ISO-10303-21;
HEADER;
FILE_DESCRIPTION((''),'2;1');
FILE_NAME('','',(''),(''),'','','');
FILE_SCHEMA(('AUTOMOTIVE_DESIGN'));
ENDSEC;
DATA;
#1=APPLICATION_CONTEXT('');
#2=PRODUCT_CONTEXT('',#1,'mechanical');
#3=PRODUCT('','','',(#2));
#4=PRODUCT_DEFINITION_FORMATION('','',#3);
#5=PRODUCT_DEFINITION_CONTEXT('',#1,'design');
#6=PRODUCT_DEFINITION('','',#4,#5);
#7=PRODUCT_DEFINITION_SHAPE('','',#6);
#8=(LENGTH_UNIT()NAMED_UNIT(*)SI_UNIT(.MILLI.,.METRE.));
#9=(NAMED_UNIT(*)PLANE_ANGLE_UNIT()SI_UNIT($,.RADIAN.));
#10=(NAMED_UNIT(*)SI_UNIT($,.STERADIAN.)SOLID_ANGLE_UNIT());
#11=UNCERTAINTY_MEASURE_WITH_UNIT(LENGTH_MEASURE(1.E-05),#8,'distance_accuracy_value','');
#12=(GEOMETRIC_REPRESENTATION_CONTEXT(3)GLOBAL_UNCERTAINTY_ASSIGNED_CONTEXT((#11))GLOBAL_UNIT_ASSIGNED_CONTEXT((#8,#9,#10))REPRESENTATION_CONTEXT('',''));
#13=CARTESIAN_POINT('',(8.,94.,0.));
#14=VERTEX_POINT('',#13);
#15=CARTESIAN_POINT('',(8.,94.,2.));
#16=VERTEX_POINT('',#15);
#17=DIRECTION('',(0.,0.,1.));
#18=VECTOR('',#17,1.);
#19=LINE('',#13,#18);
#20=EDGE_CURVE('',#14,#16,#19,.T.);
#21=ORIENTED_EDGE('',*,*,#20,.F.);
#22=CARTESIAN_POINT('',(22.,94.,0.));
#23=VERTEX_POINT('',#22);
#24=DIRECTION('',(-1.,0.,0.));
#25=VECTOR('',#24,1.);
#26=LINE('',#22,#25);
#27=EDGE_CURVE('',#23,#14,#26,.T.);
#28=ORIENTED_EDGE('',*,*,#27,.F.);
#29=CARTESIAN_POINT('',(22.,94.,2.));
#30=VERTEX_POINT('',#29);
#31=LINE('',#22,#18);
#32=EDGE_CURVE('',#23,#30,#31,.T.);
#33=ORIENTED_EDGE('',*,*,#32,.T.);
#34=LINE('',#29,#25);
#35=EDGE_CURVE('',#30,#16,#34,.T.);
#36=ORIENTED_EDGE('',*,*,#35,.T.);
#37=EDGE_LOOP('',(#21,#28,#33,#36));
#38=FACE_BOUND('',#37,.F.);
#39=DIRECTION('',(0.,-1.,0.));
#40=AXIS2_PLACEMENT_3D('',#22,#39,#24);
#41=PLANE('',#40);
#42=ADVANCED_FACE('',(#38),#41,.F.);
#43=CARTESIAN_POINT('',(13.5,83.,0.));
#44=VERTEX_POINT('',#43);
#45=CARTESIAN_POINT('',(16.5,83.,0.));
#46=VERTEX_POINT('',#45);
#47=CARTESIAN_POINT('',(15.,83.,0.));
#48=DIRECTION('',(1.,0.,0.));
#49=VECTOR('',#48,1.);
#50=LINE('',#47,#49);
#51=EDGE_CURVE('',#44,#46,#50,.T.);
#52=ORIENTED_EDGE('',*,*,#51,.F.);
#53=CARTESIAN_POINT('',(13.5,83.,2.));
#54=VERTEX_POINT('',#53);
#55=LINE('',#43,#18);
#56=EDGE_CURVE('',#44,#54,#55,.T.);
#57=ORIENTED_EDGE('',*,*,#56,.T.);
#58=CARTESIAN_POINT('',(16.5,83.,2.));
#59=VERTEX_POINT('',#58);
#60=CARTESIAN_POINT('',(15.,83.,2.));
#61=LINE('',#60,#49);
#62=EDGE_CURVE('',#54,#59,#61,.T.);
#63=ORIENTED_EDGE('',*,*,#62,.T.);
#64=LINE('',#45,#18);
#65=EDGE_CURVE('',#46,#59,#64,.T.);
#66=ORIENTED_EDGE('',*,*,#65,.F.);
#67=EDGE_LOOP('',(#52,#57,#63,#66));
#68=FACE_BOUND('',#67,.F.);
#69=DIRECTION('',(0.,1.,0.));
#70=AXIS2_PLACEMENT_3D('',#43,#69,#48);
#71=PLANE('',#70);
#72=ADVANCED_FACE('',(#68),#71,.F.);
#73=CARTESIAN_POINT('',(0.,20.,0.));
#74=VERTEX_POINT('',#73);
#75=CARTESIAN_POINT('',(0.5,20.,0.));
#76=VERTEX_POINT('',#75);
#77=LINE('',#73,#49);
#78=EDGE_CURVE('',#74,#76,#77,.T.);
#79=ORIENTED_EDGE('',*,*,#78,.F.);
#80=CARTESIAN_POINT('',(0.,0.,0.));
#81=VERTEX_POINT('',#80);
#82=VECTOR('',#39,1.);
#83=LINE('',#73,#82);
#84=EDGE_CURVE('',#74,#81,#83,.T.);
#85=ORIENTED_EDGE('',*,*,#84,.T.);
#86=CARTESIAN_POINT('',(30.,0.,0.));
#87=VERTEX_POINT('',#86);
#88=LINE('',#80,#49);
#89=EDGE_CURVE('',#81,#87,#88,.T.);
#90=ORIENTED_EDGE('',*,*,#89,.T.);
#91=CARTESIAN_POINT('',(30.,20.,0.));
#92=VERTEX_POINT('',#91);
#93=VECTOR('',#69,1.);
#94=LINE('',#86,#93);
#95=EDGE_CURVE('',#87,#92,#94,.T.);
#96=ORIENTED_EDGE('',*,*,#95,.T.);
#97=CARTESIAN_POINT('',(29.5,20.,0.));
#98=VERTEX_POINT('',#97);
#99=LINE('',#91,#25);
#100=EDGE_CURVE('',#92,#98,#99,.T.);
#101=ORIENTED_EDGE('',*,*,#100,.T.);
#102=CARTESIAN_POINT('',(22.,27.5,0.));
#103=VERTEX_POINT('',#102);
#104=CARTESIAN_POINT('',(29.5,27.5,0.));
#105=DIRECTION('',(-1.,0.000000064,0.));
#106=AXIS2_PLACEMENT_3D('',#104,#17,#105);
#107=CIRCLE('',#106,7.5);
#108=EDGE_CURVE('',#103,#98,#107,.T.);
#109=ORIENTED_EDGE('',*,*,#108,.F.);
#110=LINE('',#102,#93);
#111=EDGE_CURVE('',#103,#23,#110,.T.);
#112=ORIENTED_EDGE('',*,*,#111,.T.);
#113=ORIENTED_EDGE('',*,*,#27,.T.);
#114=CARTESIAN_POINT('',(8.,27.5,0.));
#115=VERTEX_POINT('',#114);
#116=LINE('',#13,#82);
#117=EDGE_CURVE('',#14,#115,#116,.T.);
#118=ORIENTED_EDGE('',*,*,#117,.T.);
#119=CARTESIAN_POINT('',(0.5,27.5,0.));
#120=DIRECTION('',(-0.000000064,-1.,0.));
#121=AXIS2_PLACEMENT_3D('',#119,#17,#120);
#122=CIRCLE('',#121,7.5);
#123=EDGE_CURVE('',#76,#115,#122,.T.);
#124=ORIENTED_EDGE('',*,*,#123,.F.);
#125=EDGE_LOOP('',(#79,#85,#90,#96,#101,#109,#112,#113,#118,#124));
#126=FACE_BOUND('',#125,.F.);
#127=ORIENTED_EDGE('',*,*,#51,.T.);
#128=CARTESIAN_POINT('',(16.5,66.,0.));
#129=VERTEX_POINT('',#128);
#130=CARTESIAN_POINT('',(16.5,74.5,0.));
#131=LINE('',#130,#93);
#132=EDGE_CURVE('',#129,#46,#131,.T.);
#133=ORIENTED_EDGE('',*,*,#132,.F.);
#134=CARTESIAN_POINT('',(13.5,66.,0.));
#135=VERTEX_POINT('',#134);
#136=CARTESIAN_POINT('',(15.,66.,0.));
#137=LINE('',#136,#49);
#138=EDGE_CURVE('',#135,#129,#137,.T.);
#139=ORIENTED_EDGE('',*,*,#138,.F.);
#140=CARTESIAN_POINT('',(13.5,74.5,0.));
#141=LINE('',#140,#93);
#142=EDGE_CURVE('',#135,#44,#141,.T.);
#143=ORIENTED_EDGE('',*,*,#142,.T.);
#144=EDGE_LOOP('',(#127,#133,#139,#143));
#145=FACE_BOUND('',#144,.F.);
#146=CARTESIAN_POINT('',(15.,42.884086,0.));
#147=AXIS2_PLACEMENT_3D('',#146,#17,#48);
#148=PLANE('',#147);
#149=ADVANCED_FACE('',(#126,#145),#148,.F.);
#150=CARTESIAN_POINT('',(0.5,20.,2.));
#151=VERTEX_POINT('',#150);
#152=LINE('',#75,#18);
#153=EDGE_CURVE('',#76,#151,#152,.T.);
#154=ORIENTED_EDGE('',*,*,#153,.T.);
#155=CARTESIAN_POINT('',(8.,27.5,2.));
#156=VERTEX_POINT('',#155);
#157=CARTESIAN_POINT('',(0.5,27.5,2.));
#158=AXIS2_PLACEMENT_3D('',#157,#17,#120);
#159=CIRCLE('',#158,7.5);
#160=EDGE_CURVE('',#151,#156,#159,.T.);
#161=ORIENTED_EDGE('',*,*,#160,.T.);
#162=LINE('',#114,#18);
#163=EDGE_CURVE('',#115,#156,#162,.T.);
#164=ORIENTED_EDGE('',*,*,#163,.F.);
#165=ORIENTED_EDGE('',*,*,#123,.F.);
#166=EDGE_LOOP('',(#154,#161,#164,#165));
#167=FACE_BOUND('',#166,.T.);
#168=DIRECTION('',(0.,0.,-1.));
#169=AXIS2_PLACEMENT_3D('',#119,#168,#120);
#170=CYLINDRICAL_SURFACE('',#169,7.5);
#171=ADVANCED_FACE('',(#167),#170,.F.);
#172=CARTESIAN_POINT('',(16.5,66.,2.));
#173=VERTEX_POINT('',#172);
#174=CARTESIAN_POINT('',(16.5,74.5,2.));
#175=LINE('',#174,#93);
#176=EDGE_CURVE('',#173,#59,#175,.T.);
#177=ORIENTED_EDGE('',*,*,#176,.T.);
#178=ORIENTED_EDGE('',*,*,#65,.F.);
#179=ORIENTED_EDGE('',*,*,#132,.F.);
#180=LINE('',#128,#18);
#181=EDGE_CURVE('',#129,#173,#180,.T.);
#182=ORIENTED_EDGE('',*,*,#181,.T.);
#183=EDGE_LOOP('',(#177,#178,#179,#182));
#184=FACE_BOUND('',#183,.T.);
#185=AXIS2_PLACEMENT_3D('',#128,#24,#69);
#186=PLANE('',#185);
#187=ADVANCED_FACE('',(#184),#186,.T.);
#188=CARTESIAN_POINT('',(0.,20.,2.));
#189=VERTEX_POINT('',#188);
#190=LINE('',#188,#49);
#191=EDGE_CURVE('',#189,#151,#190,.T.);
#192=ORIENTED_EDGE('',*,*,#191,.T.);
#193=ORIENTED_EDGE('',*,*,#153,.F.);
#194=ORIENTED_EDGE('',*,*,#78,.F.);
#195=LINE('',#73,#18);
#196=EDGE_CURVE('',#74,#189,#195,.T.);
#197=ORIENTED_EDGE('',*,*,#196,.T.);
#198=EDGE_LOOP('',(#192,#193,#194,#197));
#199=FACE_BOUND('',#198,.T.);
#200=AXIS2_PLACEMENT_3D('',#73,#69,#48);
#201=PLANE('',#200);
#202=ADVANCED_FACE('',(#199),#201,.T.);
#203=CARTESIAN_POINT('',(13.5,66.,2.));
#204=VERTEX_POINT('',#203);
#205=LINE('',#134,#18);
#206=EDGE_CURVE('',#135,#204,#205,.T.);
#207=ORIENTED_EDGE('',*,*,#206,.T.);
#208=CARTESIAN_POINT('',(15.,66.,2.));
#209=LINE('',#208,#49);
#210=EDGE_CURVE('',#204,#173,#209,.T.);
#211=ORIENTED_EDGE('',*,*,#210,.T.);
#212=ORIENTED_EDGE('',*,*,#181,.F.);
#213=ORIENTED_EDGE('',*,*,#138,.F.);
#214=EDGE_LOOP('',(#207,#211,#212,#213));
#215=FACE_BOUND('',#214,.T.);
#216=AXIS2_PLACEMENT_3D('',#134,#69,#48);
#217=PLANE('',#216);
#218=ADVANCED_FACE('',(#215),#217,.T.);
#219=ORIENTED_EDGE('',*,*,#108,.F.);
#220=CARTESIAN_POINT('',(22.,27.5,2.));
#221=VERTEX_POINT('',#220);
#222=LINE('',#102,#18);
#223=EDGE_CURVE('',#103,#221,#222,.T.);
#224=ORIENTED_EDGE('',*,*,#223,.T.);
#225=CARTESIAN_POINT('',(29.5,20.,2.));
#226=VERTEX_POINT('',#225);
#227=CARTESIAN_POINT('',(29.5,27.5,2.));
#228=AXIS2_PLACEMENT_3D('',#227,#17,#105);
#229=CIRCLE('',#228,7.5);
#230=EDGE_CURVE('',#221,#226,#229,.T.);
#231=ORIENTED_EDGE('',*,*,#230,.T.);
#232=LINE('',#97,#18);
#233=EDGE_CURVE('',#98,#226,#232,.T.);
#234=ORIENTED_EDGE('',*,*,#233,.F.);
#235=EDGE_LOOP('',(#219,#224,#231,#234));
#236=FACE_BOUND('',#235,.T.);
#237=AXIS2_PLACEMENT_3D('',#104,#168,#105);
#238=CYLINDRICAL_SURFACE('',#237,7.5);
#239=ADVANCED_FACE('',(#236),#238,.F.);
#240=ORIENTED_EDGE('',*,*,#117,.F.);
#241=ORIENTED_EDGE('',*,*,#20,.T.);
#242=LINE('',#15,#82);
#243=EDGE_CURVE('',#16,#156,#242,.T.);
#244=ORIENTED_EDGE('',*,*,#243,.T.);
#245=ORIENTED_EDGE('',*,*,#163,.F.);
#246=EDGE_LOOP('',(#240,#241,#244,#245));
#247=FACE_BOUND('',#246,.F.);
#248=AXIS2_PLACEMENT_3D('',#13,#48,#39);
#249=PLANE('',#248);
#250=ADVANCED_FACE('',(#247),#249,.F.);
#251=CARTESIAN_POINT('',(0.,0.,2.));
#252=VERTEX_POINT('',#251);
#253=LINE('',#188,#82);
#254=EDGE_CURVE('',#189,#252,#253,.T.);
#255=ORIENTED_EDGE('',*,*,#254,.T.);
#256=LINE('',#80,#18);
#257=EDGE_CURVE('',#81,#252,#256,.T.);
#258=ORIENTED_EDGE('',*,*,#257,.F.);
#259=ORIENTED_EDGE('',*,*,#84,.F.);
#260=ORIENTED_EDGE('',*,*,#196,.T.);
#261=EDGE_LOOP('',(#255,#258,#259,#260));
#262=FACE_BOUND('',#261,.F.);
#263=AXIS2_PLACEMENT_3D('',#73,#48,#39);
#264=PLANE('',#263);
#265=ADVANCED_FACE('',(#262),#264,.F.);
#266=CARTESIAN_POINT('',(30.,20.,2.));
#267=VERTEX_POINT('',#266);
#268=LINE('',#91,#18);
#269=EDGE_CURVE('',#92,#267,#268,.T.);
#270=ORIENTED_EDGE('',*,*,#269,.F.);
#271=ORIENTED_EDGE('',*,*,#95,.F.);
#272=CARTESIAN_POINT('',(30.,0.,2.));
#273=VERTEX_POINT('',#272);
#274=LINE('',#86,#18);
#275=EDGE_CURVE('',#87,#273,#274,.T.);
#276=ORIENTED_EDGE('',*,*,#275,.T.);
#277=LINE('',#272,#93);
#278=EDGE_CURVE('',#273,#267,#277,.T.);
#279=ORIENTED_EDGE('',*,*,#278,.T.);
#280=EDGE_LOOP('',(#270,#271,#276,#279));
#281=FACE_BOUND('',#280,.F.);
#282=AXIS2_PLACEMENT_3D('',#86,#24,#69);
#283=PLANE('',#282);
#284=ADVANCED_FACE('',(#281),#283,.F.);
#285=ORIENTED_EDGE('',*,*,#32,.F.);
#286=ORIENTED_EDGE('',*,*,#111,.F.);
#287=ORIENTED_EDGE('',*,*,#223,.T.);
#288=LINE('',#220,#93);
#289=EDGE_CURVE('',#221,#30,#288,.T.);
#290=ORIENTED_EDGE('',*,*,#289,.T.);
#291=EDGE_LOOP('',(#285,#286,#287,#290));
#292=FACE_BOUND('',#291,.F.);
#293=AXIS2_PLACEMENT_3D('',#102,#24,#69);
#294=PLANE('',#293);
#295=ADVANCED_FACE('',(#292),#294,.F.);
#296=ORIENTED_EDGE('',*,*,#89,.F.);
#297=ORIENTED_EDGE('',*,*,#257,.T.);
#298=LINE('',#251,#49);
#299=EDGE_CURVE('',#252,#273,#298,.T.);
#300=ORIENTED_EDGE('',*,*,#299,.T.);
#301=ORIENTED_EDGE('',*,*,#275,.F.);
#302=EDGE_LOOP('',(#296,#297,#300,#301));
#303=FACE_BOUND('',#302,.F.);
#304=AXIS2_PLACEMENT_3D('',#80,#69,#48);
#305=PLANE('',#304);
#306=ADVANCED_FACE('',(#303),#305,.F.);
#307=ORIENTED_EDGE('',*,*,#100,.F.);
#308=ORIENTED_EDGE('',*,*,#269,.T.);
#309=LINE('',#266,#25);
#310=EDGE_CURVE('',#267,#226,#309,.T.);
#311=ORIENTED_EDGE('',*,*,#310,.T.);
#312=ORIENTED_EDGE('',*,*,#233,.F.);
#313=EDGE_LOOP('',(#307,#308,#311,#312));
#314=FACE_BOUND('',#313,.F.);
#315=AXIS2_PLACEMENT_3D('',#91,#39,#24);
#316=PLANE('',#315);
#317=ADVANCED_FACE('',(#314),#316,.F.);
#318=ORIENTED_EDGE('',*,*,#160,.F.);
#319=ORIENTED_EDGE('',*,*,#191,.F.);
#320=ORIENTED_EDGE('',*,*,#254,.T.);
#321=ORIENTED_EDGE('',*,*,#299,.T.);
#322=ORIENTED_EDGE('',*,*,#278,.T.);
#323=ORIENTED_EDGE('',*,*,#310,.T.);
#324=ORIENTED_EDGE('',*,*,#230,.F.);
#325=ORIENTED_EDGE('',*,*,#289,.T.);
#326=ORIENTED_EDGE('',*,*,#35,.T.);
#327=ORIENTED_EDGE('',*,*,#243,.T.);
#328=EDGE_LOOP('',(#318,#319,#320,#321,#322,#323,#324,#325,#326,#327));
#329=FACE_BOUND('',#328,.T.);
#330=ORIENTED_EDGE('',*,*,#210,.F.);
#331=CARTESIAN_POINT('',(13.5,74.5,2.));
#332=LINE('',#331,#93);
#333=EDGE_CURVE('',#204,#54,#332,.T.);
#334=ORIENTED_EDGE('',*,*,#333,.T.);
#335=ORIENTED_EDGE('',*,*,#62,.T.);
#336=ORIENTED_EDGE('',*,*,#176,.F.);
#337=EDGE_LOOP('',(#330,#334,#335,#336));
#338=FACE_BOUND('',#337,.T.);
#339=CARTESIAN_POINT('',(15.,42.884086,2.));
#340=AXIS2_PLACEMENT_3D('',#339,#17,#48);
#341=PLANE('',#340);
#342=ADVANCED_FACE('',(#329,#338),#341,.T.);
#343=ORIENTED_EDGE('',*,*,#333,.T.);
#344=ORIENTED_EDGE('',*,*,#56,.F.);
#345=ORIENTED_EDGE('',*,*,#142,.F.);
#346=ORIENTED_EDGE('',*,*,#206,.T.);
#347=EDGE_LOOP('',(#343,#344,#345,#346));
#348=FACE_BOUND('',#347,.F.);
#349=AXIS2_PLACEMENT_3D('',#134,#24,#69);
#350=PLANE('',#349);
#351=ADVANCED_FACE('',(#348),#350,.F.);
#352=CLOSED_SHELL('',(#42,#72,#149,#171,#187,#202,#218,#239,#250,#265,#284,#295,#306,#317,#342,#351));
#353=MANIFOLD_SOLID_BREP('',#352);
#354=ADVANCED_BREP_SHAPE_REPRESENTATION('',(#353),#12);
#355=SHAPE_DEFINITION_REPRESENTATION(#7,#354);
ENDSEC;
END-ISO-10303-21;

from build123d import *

# Parameters (mm, degrees)
COPYSKETCH_W = 3
COPYSKETCH_H = 17
PAD_DEPTH    = 2


with BuildPart() as part:
    # CopySketch → Pad (new body)
    with BuildSketch(Plane.XY):
        with BuildLine():
            Line((0, 0), (30, 0))
            Line((30, 0), (30, 20))
            Line((30, 20), (29.5, 20))
            ThreePointArc((22, 27.5), (24.196699, 22.196699), (29.5, 20))
            Line((22, 27.5), (22, 94))
            Line((22, 94), (8, 94))
            Line((8, 94), (8, 27.5))
            ThreePointArc((0.5, 20), (5.803301, 22.196699), (8, 27.5))
            Line((0, 20), (0.5, 20))
            Line((0, 20), (0, 0))
        make_face()
        with Locations((15, 74.5)):
            Rectangle(COPYSKETCH_W, COPYSKETCH_H, mode=Mode.SUBTRACT)
    extrude(amount=PAD_DEPTH)


solid = part.part
